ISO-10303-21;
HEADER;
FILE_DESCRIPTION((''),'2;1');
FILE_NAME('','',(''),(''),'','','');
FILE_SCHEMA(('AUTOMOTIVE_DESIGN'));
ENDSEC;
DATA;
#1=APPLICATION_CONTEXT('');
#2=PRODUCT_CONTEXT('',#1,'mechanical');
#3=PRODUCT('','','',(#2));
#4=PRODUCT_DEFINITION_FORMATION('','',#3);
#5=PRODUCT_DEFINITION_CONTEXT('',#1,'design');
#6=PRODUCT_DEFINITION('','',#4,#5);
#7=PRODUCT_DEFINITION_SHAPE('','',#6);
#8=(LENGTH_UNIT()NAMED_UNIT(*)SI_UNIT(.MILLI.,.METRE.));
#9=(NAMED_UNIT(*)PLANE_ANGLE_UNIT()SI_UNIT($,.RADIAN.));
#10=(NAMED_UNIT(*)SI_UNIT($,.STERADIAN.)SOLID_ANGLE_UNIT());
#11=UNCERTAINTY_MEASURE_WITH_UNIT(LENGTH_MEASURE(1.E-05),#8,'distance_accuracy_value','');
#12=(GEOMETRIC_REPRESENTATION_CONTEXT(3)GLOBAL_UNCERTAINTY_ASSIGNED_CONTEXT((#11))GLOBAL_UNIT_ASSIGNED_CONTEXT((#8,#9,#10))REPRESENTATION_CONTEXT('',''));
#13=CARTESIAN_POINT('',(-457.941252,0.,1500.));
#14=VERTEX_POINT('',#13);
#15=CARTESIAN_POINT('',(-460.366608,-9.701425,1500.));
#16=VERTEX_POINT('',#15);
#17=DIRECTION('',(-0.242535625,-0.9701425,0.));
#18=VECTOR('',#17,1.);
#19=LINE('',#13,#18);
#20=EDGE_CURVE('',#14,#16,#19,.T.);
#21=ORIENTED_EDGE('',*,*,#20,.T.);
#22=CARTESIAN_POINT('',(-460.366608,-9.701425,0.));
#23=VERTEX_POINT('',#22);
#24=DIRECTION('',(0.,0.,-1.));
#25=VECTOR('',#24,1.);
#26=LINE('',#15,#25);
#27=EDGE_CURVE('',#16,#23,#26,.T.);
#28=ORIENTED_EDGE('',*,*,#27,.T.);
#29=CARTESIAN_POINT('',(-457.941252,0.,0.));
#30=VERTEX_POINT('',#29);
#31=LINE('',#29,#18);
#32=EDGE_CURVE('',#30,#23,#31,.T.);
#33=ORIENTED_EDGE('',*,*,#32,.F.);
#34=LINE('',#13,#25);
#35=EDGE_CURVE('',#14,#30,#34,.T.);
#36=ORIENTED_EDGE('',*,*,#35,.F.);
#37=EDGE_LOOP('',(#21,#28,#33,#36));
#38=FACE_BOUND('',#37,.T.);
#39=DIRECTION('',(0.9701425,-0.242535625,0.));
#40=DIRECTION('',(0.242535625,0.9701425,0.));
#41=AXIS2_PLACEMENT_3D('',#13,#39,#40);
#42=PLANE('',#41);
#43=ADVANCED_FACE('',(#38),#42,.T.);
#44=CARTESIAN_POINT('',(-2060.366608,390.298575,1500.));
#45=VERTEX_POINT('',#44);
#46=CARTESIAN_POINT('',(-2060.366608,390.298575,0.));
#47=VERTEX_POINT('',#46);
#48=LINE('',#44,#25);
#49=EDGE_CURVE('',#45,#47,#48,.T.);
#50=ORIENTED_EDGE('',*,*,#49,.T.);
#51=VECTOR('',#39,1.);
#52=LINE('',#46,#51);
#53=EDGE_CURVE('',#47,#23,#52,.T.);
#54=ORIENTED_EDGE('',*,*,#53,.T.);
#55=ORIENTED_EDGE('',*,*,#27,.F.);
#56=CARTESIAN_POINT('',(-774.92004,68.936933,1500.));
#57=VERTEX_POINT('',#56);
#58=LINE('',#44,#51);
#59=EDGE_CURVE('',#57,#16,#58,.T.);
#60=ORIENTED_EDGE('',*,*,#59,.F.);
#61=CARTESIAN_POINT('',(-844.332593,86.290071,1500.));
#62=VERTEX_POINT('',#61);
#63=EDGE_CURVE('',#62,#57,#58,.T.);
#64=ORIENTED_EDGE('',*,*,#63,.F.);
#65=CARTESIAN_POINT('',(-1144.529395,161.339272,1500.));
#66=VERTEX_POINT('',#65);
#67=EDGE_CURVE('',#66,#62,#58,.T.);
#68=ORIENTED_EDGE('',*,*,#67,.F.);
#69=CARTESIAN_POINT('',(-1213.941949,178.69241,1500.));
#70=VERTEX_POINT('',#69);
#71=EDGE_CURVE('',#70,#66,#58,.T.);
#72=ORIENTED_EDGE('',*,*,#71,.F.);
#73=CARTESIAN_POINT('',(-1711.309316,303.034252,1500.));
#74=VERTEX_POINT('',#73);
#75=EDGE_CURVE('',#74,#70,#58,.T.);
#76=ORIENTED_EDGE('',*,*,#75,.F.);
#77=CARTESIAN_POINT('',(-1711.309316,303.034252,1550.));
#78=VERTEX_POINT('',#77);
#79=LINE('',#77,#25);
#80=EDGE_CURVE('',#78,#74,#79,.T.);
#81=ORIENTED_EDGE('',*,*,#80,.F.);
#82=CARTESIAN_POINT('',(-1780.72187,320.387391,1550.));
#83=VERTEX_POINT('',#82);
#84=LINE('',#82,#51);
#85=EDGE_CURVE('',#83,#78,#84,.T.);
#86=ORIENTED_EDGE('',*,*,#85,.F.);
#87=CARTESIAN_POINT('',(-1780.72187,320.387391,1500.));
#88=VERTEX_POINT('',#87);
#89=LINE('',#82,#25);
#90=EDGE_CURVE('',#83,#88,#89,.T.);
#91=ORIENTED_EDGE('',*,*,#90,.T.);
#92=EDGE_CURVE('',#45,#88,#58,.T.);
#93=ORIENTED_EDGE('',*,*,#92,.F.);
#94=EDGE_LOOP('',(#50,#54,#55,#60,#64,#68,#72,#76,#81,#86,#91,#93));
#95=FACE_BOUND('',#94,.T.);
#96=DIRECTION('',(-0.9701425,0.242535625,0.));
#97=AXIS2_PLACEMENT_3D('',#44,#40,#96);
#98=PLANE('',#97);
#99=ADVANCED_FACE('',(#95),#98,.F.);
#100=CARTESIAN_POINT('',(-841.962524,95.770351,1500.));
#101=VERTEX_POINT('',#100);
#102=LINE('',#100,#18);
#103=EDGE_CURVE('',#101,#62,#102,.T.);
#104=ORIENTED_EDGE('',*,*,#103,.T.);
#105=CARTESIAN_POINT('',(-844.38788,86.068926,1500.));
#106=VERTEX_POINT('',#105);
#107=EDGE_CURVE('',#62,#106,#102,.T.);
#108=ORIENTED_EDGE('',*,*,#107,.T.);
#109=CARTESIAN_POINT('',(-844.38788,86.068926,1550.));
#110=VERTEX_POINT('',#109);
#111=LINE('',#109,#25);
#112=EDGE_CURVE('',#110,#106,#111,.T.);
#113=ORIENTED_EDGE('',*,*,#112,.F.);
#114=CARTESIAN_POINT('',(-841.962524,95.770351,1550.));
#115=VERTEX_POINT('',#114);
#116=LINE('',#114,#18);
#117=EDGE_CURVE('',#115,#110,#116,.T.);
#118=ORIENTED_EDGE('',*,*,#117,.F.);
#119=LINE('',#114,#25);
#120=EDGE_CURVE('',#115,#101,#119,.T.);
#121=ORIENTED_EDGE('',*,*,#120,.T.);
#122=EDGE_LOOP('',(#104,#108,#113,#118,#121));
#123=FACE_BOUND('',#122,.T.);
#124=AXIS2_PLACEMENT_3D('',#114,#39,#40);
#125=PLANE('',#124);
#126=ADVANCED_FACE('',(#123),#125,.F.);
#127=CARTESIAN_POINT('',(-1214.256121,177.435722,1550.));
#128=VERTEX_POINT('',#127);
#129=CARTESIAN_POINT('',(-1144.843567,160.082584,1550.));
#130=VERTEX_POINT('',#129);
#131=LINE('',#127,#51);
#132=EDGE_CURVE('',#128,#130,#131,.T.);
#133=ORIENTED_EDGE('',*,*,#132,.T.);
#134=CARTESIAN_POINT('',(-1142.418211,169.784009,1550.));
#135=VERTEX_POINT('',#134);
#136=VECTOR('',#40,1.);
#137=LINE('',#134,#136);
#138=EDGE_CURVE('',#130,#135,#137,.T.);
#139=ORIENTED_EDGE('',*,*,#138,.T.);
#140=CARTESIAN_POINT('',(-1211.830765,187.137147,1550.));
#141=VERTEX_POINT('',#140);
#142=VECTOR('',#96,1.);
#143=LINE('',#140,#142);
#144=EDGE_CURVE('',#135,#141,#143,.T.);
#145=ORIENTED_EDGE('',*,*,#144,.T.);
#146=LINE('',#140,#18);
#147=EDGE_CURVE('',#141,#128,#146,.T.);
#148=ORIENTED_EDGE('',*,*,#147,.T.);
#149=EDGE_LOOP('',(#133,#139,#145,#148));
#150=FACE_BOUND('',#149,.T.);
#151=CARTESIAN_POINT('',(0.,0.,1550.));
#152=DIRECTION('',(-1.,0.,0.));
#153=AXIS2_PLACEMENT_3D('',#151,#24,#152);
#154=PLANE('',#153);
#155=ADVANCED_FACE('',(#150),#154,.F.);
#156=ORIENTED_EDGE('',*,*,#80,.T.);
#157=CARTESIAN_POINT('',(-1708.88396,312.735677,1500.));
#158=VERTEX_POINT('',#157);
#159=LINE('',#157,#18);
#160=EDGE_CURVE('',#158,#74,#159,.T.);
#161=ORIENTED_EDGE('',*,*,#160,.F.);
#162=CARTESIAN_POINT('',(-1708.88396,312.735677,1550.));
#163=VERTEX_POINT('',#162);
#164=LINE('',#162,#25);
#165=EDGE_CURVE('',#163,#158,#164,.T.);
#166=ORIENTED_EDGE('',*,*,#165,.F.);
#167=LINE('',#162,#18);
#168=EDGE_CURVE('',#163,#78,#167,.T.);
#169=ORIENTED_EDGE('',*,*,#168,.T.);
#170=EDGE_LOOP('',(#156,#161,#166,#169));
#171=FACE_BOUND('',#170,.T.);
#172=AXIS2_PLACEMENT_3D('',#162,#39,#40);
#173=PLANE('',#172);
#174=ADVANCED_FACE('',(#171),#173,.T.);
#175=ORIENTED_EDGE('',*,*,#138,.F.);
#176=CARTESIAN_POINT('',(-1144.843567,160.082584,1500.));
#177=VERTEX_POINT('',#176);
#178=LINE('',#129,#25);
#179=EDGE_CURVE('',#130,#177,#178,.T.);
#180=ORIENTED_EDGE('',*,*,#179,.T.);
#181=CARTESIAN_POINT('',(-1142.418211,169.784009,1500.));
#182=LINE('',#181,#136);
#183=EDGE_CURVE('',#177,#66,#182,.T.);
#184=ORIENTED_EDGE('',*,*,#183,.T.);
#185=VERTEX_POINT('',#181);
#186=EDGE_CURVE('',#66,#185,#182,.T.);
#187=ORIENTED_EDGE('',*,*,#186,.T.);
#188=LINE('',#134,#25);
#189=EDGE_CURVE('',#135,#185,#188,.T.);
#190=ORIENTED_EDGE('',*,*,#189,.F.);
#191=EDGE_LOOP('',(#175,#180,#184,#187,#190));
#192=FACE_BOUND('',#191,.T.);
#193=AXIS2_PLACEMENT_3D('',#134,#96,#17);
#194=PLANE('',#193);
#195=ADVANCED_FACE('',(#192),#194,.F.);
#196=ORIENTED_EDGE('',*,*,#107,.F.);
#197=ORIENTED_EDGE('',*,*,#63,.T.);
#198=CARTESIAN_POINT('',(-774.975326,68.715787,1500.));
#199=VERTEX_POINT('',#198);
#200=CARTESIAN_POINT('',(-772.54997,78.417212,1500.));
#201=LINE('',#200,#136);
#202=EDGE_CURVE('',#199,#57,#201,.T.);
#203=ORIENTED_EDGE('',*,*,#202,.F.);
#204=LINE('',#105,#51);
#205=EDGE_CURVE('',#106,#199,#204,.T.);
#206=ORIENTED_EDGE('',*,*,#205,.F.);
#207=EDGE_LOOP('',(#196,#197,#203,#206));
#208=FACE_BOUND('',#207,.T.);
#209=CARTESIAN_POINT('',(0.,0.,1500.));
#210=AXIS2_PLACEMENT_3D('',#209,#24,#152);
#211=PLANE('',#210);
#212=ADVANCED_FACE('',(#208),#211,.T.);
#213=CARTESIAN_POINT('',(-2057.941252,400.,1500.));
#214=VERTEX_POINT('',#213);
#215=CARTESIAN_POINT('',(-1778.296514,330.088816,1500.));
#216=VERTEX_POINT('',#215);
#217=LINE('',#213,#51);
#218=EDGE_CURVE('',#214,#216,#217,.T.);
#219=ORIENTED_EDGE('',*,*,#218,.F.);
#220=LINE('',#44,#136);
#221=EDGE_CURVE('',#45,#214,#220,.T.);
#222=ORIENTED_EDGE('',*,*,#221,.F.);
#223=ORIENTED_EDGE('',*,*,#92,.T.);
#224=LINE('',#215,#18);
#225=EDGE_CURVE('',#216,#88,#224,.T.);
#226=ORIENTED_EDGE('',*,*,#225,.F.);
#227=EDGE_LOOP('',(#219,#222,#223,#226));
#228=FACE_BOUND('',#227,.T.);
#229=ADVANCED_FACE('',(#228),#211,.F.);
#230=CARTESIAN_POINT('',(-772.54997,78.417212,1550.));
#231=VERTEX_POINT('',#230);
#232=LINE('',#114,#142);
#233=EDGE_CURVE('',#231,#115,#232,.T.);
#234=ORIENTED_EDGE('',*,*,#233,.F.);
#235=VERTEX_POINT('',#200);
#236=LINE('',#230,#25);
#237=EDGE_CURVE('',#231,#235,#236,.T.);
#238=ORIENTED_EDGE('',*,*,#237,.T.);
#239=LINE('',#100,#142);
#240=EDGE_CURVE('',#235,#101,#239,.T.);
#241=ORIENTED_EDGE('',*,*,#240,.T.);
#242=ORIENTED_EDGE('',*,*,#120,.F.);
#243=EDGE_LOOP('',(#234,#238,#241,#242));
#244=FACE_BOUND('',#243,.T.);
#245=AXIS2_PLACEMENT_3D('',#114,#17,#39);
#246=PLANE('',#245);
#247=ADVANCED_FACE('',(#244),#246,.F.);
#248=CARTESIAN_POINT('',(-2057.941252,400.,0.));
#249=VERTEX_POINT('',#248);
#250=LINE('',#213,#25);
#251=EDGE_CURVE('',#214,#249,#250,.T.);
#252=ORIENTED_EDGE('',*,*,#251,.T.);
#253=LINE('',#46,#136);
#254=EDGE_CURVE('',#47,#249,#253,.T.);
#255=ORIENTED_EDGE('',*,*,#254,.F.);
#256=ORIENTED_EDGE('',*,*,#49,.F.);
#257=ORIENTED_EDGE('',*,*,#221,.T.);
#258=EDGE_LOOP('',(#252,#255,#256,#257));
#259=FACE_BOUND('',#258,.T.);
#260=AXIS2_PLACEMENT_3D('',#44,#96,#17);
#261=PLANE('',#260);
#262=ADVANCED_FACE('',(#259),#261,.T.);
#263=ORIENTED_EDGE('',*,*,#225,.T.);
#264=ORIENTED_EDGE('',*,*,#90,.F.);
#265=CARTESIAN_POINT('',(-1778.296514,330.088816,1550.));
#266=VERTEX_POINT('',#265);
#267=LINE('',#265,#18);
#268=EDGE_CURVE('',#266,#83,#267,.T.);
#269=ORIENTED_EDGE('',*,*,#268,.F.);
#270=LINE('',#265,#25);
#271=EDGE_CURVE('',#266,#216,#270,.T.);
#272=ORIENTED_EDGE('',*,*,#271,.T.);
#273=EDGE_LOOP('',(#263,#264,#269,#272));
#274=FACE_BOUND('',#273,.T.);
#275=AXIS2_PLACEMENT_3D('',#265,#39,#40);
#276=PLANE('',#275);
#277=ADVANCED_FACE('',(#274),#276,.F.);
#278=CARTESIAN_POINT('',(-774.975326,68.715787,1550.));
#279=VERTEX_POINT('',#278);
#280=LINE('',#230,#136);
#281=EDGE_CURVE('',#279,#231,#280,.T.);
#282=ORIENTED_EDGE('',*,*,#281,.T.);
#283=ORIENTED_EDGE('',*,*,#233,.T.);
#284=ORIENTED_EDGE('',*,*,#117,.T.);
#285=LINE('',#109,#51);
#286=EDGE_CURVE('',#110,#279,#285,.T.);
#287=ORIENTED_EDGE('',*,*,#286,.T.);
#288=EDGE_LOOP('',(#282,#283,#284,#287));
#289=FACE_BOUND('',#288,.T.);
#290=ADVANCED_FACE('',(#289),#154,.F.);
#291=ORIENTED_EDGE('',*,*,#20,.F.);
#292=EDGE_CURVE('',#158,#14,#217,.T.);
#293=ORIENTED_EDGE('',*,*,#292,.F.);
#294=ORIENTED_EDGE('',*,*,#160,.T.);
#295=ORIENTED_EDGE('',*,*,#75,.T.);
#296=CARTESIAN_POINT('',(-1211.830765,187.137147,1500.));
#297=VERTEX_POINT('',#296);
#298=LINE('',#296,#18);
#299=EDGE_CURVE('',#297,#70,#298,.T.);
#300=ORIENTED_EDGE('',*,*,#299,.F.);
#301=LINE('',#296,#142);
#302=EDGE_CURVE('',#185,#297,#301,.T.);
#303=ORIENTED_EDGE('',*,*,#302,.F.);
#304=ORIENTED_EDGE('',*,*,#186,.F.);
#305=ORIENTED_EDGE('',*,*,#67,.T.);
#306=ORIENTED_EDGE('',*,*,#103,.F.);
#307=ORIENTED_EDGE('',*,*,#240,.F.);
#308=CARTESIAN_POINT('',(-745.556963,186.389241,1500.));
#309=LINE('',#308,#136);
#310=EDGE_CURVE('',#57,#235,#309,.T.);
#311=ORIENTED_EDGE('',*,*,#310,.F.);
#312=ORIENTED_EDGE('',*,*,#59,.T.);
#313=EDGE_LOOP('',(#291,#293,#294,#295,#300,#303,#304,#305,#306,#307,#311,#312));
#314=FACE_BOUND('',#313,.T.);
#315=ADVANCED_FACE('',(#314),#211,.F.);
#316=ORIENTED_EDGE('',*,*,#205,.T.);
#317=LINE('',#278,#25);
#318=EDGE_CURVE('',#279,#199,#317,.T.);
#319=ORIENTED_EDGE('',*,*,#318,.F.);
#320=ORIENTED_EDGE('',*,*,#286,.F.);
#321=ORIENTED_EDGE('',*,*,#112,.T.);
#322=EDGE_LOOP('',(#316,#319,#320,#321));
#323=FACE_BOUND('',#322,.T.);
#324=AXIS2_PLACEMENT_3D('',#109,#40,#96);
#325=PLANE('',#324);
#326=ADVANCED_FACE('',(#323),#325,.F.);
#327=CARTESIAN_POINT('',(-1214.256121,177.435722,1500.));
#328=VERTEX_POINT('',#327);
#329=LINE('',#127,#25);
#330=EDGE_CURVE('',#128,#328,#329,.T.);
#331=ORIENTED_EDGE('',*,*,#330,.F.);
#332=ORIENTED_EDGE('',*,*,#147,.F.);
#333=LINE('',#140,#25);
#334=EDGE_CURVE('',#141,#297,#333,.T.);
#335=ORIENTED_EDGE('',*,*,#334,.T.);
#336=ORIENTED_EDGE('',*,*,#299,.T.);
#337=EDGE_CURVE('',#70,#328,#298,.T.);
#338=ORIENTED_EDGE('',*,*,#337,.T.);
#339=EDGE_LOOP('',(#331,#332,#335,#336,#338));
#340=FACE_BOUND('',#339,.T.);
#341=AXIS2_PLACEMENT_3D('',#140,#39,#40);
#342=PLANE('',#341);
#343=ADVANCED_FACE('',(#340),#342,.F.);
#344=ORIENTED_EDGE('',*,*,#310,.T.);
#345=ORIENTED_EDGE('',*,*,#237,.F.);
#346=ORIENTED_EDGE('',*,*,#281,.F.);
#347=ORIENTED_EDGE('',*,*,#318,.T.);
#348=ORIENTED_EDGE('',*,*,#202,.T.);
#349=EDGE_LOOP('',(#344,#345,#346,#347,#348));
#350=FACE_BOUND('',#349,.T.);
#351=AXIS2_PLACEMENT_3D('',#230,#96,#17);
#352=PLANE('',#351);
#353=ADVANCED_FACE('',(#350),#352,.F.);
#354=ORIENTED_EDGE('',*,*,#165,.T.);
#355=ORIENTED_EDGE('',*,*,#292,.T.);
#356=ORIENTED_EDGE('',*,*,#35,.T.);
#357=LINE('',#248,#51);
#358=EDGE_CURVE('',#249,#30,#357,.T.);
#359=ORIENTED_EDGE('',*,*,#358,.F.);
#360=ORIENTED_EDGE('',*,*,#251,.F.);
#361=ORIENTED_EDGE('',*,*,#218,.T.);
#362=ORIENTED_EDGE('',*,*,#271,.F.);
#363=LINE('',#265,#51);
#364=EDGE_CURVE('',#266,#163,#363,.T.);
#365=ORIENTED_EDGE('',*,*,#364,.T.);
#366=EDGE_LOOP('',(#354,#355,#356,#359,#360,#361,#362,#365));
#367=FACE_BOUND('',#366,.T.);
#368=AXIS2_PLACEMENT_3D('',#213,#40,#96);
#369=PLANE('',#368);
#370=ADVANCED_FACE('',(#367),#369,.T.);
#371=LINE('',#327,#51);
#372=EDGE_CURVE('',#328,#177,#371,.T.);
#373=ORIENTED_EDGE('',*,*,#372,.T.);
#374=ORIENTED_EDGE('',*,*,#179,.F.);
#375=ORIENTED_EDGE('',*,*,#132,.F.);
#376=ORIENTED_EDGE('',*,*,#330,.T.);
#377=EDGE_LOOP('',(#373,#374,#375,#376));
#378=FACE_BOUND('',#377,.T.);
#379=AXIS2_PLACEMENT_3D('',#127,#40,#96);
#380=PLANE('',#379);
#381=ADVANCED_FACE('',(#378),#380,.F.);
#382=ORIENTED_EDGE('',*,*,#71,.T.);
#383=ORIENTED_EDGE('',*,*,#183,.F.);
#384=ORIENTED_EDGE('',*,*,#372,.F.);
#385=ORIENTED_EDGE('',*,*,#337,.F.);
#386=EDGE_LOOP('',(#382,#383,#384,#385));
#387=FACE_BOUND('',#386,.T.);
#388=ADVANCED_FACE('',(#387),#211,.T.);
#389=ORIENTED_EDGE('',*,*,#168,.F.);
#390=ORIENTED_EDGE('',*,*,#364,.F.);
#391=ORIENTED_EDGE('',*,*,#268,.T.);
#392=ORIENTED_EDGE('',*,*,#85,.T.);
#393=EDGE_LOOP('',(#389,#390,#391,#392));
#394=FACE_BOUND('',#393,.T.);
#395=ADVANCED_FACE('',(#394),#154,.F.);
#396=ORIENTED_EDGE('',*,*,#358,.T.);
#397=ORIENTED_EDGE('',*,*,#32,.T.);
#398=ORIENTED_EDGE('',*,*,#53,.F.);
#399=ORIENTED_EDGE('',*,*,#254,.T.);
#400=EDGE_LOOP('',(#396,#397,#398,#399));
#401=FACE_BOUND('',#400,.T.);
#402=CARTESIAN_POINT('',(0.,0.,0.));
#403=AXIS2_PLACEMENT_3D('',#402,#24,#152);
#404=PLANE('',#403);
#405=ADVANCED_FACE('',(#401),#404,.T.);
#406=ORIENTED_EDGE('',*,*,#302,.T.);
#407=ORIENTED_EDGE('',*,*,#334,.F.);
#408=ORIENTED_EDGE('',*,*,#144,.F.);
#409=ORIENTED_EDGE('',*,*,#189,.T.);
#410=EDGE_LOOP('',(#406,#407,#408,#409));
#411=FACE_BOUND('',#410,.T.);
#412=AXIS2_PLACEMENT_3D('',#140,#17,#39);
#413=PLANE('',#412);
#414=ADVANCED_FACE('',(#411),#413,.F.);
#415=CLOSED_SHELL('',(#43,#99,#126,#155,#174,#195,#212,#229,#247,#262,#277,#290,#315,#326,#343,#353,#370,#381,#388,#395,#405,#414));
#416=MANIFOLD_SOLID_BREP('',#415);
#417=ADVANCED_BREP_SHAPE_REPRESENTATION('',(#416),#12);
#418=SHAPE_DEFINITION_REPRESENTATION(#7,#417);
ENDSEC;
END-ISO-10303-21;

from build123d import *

# Parameters (mm, degrees)
EXTRUDE_1_DEPTH = 1500
EXTRUDE_2_DEPTH = 50
EXTRUDE_5_DEPTH = 50
EXTRUDE_6_DEPTH = 50


with BuildPart() as part:
    # 草图2 → 拉伸-薄壁1 (new body)
    with BuildSketch(Plane.XY):
        Polygon((-2057.941251584, 400), (-457.941251584, 0), (-460.366607835, -9.701425001), (-2060.366607835, 390.298574999), align=None)
    extrude(amount=EXTRUDE_1_DEPTH)

    # 草图3 → 凸台-拉伸2 (add)
    with BuildSketch(Plane.XY.offset(1500)):
        Polygon((-1778.296514005, 330.088815605), (-1780.721870255, 320.387390604), (-1711.309316368, 303.034252132), (-1708.883960117, 312.735677133), align=None)
    extrude(amount=EXTRUDE_2_DEPTH)

    # 草图8 → 凸台-拉伸5 (add)
    with BuildSketch(Plane.XY.offset(1500)):
        Polygon((-841.962523584, 95.770350875), (-844.387879834, 86.068925873), (-774.975325947, 68.715787402), (-772.549969697, 78.417212403), align=None)
    extrude(amount=EXTRUDE_5_DEPTH)

    # 草图9 → 凸台-拉伸6 (add)
    with BuildSketch(Plane.XY.offset(1500)):
        Polygon((-1211.830765034, 187.137147041), (-1214.256121285, 177.435722039), (-1144.843567398, 160.082583568), (-1142.418211147, 169.784008569), align=None)
    extrude(amount=EXTRUDE_6_DEPTH)


solid = part.part
